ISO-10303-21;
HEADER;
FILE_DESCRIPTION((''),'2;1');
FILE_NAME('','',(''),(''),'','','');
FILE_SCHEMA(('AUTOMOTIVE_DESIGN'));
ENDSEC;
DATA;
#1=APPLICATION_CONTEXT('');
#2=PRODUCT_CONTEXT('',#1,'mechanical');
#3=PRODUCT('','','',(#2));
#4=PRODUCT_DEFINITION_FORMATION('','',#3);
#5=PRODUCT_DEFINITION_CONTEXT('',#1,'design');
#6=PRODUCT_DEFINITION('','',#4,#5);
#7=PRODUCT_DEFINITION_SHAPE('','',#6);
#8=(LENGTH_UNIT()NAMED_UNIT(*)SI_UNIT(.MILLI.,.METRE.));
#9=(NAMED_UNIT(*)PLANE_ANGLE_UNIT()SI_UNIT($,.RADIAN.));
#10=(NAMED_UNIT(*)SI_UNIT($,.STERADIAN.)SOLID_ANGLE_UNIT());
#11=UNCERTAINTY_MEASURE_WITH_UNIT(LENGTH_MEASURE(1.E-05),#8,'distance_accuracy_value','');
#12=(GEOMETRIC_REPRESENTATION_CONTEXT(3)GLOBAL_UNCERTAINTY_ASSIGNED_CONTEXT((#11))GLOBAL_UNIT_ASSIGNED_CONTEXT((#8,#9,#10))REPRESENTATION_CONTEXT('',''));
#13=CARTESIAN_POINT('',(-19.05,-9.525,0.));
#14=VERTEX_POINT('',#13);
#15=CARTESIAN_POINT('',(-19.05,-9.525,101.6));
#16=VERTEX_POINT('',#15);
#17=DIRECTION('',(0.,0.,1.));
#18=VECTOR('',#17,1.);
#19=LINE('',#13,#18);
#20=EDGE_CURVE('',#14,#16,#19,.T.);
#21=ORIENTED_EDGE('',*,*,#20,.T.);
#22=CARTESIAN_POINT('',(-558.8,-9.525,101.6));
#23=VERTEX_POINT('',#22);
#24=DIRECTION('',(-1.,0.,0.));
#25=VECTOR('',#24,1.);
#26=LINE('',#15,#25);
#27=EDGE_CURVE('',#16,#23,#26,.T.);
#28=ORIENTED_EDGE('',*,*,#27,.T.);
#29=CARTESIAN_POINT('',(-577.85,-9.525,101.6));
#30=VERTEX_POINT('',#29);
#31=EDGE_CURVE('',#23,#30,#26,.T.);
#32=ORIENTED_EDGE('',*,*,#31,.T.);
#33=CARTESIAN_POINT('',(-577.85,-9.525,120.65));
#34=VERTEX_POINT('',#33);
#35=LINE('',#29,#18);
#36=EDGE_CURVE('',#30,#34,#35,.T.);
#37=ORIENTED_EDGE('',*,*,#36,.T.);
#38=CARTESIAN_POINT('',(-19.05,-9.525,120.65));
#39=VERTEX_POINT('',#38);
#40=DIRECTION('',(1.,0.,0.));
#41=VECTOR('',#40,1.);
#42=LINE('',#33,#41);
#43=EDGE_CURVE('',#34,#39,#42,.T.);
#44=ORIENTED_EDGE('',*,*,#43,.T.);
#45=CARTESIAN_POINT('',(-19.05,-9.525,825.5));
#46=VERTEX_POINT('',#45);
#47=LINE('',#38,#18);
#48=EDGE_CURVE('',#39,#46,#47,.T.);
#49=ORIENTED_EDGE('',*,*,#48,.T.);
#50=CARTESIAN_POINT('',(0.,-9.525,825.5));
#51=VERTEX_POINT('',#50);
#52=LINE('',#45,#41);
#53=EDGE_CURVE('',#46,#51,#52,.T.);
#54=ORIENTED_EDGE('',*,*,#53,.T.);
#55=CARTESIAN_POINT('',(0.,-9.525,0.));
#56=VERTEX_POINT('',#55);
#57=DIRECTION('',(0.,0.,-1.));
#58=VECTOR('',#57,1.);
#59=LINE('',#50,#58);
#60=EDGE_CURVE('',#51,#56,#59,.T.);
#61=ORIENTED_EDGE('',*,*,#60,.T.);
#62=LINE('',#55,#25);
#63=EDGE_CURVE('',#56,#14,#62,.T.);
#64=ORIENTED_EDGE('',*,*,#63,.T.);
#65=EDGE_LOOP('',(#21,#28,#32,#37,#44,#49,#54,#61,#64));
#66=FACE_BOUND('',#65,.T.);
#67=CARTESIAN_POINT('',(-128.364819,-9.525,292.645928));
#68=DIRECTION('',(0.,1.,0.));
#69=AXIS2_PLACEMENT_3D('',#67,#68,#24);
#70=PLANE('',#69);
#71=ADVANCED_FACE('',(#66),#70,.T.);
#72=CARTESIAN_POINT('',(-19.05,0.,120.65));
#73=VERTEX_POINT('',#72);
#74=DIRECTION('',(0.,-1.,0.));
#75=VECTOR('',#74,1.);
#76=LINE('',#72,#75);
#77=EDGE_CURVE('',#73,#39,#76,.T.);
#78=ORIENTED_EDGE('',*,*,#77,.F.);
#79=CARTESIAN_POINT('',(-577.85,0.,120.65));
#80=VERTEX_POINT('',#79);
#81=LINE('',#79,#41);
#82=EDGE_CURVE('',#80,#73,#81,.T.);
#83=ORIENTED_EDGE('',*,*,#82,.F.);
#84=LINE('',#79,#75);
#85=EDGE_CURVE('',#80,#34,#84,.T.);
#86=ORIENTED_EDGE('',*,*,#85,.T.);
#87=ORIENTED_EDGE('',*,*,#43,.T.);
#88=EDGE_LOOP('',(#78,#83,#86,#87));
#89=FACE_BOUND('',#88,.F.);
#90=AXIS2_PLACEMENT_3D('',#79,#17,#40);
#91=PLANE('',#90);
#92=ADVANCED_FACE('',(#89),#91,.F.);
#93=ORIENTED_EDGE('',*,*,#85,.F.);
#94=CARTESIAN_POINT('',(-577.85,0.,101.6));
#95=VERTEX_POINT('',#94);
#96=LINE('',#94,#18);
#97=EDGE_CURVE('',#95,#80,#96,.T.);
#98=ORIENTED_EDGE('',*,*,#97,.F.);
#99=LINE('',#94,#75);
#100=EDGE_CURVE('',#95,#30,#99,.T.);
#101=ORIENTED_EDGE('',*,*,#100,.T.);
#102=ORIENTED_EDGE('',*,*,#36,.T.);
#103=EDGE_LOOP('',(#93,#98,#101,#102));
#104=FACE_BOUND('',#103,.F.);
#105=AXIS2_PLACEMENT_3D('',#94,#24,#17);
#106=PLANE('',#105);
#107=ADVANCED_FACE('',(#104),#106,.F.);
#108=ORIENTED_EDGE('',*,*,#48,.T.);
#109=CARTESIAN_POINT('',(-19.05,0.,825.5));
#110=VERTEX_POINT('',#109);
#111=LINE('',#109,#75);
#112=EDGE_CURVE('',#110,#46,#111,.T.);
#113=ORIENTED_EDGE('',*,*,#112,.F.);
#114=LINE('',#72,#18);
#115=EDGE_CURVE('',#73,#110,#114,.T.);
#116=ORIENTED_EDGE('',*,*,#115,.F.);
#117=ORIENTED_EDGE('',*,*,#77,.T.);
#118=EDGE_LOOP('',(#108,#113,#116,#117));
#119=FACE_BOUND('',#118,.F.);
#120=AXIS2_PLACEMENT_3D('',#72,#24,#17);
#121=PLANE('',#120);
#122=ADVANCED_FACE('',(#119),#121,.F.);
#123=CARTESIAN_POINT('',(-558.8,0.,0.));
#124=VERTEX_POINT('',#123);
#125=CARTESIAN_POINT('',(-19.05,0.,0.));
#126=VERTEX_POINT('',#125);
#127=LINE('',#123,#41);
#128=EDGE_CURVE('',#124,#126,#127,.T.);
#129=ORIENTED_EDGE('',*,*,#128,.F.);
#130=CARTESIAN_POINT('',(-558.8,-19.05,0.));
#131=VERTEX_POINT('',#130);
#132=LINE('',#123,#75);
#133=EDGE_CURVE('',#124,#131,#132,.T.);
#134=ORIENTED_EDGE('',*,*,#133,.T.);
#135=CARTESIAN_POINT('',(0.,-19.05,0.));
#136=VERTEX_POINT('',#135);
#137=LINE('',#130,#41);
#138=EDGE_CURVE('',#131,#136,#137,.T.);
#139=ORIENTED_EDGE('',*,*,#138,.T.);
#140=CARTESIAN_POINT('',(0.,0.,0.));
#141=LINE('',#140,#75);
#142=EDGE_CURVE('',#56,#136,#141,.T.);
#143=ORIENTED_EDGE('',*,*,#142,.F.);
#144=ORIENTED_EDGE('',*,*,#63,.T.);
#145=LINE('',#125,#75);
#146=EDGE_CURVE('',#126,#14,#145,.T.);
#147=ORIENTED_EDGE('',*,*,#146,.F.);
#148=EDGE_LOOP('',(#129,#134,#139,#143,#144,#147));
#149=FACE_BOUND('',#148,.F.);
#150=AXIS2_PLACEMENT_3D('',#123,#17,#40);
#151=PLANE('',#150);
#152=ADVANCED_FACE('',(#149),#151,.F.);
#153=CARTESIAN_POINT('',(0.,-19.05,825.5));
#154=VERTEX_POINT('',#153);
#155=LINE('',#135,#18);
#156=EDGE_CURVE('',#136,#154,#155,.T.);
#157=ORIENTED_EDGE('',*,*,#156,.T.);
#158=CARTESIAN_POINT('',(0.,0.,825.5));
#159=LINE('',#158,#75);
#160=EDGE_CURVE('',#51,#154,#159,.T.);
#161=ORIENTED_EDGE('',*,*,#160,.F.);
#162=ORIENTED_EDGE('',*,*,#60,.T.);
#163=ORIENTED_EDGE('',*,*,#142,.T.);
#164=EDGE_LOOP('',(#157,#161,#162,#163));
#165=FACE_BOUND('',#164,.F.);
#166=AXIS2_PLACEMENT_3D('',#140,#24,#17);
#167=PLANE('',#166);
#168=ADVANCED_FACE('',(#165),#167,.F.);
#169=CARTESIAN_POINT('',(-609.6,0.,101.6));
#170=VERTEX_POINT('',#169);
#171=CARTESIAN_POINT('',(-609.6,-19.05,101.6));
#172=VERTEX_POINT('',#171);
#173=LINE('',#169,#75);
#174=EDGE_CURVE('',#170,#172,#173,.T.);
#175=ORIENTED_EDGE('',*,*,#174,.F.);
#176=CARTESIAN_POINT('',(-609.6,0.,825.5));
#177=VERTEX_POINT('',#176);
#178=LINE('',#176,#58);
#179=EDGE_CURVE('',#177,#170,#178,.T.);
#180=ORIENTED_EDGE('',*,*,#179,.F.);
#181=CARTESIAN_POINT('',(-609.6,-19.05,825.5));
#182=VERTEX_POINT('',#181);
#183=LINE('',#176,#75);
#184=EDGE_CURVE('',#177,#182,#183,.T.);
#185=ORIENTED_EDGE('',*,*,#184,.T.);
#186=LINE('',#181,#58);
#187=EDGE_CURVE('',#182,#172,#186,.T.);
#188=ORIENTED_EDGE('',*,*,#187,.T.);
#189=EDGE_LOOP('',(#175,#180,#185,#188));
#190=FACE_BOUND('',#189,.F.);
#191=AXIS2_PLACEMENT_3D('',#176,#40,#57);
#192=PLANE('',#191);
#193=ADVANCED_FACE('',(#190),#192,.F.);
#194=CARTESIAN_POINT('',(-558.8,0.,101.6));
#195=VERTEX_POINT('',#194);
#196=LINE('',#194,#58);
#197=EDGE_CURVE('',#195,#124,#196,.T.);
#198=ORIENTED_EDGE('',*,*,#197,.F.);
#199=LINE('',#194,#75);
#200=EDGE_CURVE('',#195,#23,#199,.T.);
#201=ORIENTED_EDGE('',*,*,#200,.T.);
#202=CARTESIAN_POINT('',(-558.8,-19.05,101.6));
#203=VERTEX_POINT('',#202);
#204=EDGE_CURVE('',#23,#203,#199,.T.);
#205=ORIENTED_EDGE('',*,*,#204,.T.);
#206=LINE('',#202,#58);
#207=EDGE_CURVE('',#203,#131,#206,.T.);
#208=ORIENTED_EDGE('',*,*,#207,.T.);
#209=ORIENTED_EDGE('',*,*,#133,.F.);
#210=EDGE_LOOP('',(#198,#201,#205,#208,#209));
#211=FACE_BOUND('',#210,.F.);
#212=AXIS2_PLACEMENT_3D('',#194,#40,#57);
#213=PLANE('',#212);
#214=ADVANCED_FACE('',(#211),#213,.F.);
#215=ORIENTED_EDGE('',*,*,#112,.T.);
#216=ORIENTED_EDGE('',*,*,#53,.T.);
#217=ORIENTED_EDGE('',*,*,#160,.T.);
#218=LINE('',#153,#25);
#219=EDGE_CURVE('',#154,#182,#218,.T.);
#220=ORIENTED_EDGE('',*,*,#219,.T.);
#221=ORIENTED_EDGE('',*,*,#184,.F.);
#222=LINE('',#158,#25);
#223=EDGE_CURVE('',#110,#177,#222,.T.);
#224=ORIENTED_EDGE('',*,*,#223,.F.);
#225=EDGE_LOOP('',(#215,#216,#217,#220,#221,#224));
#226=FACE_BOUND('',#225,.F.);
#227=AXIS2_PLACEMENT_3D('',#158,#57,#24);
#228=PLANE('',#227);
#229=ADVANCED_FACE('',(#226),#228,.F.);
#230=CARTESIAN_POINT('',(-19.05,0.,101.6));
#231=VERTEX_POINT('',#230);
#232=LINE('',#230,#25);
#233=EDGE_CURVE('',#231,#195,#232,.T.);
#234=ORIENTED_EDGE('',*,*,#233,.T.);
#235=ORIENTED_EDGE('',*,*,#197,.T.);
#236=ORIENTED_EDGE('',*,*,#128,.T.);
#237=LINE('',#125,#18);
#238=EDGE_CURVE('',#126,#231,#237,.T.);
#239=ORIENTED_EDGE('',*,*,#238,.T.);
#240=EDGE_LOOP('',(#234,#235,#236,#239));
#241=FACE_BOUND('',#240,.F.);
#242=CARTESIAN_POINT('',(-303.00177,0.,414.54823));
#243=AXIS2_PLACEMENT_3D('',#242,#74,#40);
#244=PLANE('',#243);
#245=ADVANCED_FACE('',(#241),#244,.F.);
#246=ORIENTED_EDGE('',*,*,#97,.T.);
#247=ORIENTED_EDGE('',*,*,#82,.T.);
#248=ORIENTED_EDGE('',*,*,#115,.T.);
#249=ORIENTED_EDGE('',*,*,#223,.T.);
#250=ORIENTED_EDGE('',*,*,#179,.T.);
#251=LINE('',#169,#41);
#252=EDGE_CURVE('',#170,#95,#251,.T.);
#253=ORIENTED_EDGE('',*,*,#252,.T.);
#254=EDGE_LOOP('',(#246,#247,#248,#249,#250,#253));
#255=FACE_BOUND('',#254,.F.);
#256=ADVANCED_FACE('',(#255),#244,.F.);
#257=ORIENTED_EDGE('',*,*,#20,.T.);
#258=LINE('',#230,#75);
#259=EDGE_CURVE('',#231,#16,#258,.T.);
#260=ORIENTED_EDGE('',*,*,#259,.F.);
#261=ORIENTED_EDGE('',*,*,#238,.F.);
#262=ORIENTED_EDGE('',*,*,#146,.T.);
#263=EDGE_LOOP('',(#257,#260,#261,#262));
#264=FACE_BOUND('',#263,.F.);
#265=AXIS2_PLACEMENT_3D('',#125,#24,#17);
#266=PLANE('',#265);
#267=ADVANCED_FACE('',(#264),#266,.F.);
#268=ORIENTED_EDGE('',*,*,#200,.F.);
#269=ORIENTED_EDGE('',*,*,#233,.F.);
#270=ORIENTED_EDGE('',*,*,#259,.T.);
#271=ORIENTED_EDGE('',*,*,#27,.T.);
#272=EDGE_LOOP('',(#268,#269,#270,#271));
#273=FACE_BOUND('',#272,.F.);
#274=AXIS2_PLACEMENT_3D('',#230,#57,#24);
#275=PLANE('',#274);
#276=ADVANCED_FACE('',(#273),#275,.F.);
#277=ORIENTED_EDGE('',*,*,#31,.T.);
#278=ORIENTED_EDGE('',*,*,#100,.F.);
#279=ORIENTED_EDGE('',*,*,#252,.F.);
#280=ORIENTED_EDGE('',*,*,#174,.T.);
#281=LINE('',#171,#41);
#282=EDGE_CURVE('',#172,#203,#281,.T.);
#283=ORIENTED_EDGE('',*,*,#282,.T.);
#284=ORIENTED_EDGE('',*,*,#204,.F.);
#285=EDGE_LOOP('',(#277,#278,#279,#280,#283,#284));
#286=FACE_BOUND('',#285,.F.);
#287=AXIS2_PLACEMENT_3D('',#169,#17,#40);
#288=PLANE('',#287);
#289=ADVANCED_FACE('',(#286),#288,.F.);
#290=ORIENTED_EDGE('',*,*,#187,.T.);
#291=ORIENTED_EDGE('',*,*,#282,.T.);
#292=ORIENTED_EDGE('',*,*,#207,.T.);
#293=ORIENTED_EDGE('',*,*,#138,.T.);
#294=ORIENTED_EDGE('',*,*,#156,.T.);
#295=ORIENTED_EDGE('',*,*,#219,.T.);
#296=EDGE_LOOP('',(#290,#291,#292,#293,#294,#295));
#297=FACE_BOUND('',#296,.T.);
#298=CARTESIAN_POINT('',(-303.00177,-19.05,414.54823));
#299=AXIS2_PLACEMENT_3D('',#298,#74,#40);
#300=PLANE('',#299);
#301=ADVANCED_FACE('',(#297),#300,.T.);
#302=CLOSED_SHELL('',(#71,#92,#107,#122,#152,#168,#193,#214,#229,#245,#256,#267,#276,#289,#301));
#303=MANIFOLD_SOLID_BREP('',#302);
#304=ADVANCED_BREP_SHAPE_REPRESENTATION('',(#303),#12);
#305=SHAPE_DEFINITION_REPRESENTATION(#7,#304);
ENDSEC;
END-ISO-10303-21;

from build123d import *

# Parameters (mm, degrees)
F1_DEPTH = 19.05
F3_DEPTH = 9.525


with BuildPart() as f1:
    # F0 (on Front) → F1 (new body)
    with BuildSketch(Plane.XZ):
        Polygon((-558.8, 0), (0, 0), (0, 825.5), (-609.6, 825.5), (-609.6, 101.6), (-558.8, 101.6), align=None)
    extrude(amount=F1_DEPTH)

    # F2 (on face) → F3 (cut)
    with BuildSketch(Plane(origin=(0, 0, 0), x_dir=(-1, 0, 0), z_dir=(0, 1, 0))):
        Polygon((19.05, 825.5), (0, 825.5), (0, 0), (19.05, 0), (19.05, 101.6), (558.8, 101.6), (577.85, 101.6), (577.85, 120.65), (19.05, 120.65), align=None)
    extrude(amount=-F3_DEPTH, mode=Mode.SUBTRACT)


solid = f1.part
